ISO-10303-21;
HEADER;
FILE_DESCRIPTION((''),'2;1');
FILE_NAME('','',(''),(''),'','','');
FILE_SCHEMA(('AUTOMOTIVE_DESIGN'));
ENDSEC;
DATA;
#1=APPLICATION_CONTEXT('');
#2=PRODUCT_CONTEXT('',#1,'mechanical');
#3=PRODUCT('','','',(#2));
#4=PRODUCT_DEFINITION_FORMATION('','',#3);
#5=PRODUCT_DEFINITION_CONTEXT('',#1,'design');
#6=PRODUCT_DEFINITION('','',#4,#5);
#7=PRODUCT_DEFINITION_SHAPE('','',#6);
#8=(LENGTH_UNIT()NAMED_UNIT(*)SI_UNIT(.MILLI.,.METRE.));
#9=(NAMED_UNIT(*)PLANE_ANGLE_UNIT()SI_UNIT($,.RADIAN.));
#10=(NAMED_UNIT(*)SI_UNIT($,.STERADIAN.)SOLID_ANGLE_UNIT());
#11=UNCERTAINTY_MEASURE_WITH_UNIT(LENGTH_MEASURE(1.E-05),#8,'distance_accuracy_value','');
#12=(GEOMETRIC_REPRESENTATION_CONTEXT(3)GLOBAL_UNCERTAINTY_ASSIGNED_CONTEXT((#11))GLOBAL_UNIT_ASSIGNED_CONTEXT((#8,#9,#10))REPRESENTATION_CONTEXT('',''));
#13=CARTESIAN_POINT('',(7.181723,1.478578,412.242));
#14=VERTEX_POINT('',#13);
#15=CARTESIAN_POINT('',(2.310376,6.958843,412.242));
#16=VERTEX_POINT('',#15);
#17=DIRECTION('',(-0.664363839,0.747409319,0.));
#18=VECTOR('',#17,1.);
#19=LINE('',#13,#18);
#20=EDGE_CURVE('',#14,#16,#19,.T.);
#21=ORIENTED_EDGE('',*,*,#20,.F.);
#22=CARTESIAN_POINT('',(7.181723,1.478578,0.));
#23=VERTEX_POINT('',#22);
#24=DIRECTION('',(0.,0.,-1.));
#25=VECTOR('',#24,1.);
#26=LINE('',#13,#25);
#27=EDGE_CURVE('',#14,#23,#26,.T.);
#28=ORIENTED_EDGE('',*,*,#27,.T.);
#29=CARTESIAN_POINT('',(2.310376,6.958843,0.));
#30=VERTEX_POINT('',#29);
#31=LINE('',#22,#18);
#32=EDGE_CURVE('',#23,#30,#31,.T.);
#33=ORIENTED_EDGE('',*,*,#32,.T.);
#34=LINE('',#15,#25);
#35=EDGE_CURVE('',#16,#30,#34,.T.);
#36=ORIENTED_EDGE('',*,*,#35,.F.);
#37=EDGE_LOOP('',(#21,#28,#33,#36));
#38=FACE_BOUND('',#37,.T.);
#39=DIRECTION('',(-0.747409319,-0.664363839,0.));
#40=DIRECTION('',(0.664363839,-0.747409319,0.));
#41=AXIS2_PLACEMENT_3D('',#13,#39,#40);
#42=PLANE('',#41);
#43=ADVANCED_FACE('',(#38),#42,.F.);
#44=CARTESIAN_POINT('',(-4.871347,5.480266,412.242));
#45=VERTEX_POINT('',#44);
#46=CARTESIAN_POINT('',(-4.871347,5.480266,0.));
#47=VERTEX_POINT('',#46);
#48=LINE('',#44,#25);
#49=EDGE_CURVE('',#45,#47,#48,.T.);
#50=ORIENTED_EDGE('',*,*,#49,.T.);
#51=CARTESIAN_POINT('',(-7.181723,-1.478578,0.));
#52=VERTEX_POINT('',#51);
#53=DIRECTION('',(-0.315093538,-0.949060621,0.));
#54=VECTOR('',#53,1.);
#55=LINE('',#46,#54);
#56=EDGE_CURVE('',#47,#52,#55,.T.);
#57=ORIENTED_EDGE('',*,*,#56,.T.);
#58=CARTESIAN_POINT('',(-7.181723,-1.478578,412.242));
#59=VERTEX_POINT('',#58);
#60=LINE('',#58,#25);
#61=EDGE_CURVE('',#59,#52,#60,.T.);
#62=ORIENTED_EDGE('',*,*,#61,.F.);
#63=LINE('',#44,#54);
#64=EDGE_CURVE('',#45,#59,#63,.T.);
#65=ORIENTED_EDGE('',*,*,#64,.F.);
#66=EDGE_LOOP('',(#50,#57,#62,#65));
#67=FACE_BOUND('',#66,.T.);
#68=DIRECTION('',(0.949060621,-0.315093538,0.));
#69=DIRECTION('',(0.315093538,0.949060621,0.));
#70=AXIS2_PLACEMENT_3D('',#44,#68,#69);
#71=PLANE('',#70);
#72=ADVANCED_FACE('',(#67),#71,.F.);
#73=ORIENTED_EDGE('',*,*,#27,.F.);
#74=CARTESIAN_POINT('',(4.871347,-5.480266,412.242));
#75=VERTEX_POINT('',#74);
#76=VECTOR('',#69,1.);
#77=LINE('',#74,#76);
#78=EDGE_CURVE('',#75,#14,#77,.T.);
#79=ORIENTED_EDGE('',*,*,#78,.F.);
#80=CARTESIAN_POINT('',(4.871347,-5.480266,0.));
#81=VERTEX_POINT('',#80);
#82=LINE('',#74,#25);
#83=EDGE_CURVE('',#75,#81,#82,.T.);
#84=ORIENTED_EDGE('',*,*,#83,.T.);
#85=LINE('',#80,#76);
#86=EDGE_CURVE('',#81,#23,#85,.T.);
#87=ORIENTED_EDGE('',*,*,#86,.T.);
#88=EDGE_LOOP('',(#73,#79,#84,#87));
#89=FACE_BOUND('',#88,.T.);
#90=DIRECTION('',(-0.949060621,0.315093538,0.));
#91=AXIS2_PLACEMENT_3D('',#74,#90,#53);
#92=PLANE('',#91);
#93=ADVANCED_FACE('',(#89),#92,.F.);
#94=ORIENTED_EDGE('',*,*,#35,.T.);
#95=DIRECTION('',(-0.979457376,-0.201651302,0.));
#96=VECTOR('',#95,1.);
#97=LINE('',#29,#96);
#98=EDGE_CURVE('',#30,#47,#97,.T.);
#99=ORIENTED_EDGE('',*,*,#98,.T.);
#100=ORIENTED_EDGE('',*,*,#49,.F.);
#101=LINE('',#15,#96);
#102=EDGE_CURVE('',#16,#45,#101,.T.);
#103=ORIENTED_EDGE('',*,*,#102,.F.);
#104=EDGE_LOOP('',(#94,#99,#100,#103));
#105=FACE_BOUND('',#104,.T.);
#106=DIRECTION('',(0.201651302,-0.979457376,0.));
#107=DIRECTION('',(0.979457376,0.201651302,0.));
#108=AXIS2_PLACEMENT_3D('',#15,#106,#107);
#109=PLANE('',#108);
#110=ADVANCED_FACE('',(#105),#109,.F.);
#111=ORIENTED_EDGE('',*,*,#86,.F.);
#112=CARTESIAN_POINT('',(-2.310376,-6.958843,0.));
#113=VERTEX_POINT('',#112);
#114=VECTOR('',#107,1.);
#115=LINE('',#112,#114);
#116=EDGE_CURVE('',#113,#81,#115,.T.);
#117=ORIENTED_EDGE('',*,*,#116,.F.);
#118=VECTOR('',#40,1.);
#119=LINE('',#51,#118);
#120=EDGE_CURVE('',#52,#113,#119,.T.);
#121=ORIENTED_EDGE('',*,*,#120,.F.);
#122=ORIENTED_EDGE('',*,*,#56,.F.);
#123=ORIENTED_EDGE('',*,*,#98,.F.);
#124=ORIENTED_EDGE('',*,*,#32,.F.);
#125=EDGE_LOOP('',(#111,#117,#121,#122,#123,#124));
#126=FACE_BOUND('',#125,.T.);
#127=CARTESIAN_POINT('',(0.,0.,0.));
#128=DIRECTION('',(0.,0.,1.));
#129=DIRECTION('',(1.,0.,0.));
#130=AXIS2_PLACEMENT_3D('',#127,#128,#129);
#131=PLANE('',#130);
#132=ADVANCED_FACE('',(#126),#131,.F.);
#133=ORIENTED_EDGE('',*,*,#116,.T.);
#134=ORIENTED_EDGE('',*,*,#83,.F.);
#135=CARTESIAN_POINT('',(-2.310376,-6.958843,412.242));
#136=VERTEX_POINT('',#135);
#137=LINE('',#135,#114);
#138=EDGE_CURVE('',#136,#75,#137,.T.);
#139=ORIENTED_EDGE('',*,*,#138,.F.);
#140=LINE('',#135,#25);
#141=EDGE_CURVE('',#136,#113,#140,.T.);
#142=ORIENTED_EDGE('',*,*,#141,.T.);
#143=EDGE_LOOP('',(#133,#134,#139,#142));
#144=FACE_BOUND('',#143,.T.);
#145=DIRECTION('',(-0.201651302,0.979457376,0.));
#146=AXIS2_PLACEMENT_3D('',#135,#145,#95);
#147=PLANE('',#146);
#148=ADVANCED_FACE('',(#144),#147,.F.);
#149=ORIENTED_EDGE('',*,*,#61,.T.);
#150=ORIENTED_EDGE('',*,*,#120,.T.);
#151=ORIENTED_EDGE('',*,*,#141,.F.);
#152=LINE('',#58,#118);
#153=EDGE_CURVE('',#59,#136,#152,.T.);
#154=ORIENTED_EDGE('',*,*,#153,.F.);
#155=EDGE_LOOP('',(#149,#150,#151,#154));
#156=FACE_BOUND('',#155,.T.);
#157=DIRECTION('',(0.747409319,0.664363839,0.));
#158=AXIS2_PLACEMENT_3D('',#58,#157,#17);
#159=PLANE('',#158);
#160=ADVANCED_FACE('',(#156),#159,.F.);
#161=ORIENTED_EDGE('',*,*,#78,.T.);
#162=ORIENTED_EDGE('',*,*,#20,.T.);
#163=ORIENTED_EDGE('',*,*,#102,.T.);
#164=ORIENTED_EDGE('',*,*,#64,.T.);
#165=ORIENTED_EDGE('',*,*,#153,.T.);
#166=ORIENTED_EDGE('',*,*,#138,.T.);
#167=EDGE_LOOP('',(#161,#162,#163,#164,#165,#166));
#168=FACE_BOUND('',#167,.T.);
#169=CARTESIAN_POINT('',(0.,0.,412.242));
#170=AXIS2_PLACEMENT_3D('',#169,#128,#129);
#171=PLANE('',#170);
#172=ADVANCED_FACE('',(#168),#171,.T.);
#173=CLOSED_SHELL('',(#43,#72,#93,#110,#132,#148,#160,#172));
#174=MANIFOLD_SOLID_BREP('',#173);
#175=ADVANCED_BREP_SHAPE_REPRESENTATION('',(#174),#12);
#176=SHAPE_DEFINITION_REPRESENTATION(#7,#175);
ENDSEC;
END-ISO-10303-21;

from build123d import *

# Parameters (mm, degrees)
BOSS_EXTRUDE1_DEPTH = 412.242


with BuildPart() as part:
    # Sketch1 → Boss-Extrude1 (new body)
    with BuildSketch(Plane.XY):
        Polygon((4.871347143, -5.480265536), (7.181722745, 1.478577609), (2.310375602, 6.958843145), (-4.871347143, 5.480265536), (-7.181722745, -1.478577609), (-2.310375602, -6.958843145), align=None)
    extrude(amount=BOSS_EXTRUDE1_DEPTH)


solid = part.part
